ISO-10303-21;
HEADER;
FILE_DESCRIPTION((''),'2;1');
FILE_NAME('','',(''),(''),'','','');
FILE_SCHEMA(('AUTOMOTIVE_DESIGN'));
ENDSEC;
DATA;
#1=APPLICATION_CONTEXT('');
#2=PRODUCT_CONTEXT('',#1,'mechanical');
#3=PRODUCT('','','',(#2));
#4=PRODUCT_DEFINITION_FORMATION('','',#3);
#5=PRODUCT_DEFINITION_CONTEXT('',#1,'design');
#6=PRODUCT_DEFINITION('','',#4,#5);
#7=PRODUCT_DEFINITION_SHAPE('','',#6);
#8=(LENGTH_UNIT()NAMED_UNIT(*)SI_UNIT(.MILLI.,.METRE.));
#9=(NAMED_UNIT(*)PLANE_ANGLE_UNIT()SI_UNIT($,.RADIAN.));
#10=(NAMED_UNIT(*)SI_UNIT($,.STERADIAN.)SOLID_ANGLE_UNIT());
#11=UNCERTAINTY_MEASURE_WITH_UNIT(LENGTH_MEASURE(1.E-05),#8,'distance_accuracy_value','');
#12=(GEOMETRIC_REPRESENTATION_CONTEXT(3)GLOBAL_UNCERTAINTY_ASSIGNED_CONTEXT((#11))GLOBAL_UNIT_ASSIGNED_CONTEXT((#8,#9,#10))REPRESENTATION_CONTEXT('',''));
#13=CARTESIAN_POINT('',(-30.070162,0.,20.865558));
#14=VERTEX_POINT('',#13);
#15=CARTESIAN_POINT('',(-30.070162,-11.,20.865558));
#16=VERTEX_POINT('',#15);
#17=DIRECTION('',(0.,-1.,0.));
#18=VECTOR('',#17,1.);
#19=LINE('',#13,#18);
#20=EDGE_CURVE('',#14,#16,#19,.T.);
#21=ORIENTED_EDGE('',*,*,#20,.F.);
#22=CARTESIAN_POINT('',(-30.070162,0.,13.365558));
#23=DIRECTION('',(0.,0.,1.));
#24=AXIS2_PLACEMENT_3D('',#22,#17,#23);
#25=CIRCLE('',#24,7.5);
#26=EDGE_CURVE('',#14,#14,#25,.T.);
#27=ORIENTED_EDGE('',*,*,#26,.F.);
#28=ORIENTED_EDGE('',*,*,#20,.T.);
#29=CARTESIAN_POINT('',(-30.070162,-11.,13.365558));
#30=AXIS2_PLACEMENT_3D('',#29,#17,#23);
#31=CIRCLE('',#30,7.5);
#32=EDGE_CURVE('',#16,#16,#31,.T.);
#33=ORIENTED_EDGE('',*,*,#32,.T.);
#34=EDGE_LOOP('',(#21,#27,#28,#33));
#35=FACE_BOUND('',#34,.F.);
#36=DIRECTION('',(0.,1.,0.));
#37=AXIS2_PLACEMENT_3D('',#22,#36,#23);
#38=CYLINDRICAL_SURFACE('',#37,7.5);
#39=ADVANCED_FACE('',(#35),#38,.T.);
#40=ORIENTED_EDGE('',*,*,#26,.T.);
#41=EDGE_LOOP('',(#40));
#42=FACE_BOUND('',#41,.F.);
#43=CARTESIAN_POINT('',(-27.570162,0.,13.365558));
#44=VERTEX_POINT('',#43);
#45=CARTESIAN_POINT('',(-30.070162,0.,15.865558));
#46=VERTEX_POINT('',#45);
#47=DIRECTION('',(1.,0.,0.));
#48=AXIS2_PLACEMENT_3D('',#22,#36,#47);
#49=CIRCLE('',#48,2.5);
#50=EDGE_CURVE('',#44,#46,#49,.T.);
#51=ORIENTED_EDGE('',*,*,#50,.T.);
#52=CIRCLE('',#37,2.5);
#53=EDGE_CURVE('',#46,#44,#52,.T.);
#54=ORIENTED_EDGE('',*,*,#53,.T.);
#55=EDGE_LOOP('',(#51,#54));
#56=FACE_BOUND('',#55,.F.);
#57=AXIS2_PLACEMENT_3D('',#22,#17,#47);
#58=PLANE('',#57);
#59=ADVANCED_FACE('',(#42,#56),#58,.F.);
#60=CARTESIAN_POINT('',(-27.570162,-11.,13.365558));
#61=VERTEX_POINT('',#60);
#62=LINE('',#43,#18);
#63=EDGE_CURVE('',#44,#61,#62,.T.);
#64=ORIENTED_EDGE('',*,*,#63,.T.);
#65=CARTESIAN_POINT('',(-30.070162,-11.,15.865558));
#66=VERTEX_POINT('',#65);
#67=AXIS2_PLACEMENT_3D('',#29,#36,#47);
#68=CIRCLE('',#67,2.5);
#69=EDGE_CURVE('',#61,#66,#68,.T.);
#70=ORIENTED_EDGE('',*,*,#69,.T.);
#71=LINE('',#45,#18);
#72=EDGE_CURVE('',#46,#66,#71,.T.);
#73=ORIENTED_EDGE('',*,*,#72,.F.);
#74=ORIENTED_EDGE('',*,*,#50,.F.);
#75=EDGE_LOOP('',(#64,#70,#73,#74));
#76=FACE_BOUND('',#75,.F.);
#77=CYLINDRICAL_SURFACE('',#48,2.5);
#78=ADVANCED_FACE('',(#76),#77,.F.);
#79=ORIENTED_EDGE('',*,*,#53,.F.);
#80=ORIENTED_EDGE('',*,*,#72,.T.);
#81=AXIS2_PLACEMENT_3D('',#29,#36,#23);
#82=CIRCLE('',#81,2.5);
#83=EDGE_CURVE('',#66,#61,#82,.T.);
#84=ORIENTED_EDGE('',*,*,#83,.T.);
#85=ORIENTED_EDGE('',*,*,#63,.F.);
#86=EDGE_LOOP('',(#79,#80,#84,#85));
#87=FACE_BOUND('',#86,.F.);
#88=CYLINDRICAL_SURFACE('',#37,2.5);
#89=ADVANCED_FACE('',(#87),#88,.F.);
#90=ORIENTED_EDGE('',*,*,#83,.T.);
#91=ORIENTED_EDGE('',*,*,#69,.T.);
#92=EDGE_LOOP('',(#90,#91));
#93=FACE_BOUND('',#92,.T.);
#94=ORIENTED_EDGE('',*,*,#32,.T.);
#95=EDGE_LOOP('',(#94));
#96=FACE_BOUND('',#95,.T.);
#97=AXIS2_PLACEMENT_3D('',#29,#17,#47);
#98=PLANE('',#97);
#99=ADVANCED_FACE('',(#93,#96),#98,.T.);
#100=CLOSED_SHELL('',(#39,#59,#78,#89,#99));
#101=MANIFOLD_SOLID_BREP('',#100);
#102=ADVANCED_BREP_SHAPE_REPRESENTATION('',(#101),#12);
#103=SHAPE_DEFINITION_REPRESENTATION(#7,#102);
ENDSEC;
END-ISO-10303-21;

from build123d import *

# Parameters (mm, degrees)
F1_DEPTH = 8
F2_DEPTH = 3
F4_DEPTH = 11


with BuildPart() as f1:
    # F0 (on Front) → F1 (new body)
    with BuildSketch(Plane.XZ):
        with BuildLine():
            ThreePointArc((-30.0701617141, 46.3723698281), (-35.6321374629, 46.5684078352), (-41.1665091954, 47.1555489225))
            ThreePointArc((-41.1665091954, 47.1555489225), (-30.0701617141, -22.1997679505), (-18.9738142329, 47.1555489225))
            ThreePointArc((-18.9738142329, 47.1555489225), (-24.5081859654, 46.5684078352), (-30.0701617141, 46.3723698281))
        make_face()
        with BuildLine():
            ThreePointArc((-22.5701617141, 13.3655580288), (-35.373462573, 8.0622571699), (-30.0701617141, 20.8655580288))
            ThreePointArc((-30.0701617141, 20.8655580288), (-24.7668608552, 18.6688588877), (-22.5701617141, 13.3655580288))
        make_face(mode=Mode.SUBTRACT)
    extrude(amount=F1_DEPTH)

    # F0 (on Front) → F2 (join)
    with BuildSketch(Plane.XZ):
        with BuildLine():
            ThreePointArc((-30.0701617141, 56.2795021275), (-36.9667710759, 53.357462718), (-41.1665091954, 47.1555489225))
            ThreePointArc((-41.1665091954, 47.1555489225), (-35.6321374629, 46.5684078352), (-30.0701617141, 46.3723698281))
            Line((-30.0701617141, 46.3723698281), (-30.0701617141, 50.7215580288))
            ThreePointArc((-30.0701617141, 50.7215580288), (-32.0701617141, 52.7215580288), (-30.0701617141, 54.7215580288))
            Line((-30.0701617141, 54.7215580288), (-30.0701617141, 56.2795021275))
        make_face()
        with BuildLine():
            ThreePointArc((-30.0701617141, 46.3723698281), (-24.5081859654, 46.5684078352), (-18.9738142329, 47.1555489225))
            ThreePointArc((-18.9738142329, 47.1555489225), (-23.1735523524, 53.357462718), (-30.0701617141, 56.2795021275))
            Line((-30.0701617141, 56.2795021275), (-30.0701617141, 54.7215580288))
            ThreePointArc((-30.0701617141, 54.7215580288), (-28.6559481518, 54.1357715912), (-28.0701617141, 52.7215580288))
            ThreePointArc((-28.0701617141, 52.7215580288), (-28.6559481518, 51.3073444665), (-30.0701617141, 50.7215580288))
            Line((-30.0701617141, 50.7215580288), (-30.0701617141, 46.3723698281))
        make_face()
    extrude(amount=F2_DEPTH)


with BuildPart() as f4:
    # F0 (on Front) → F4 (new body)
    with BuildSketch(Plane.XZ):
        with BuildLine():
            ThreePointArc((-22.5701617141, 13.3655580288), (-24.7668608552, 18.6688588877), (-30.0701617141, 20.8655580288))
            ThreePointArc((-30.0701617141, 20.8655580288), (-35.373462573, 8.0622571699), (-22.5701617141, 13.3655580288))
        make_face()
        with BuildLine():
            ThreePointArc((-27.5701617141, 13.3655580288), (-31.8379286671, 11.5977910759), (-30.0701617141, 15.8655580288))
            ThreePointArc((-30.0701617141, 15.8655580288), (-28.3023947612, 15.1333249818), (-27.5701617141, 13.3655580288))
        make_face(mode=Mode.SUBTRACT)
    extrude(amount=F4_DEPTH)


solid = f4.part
